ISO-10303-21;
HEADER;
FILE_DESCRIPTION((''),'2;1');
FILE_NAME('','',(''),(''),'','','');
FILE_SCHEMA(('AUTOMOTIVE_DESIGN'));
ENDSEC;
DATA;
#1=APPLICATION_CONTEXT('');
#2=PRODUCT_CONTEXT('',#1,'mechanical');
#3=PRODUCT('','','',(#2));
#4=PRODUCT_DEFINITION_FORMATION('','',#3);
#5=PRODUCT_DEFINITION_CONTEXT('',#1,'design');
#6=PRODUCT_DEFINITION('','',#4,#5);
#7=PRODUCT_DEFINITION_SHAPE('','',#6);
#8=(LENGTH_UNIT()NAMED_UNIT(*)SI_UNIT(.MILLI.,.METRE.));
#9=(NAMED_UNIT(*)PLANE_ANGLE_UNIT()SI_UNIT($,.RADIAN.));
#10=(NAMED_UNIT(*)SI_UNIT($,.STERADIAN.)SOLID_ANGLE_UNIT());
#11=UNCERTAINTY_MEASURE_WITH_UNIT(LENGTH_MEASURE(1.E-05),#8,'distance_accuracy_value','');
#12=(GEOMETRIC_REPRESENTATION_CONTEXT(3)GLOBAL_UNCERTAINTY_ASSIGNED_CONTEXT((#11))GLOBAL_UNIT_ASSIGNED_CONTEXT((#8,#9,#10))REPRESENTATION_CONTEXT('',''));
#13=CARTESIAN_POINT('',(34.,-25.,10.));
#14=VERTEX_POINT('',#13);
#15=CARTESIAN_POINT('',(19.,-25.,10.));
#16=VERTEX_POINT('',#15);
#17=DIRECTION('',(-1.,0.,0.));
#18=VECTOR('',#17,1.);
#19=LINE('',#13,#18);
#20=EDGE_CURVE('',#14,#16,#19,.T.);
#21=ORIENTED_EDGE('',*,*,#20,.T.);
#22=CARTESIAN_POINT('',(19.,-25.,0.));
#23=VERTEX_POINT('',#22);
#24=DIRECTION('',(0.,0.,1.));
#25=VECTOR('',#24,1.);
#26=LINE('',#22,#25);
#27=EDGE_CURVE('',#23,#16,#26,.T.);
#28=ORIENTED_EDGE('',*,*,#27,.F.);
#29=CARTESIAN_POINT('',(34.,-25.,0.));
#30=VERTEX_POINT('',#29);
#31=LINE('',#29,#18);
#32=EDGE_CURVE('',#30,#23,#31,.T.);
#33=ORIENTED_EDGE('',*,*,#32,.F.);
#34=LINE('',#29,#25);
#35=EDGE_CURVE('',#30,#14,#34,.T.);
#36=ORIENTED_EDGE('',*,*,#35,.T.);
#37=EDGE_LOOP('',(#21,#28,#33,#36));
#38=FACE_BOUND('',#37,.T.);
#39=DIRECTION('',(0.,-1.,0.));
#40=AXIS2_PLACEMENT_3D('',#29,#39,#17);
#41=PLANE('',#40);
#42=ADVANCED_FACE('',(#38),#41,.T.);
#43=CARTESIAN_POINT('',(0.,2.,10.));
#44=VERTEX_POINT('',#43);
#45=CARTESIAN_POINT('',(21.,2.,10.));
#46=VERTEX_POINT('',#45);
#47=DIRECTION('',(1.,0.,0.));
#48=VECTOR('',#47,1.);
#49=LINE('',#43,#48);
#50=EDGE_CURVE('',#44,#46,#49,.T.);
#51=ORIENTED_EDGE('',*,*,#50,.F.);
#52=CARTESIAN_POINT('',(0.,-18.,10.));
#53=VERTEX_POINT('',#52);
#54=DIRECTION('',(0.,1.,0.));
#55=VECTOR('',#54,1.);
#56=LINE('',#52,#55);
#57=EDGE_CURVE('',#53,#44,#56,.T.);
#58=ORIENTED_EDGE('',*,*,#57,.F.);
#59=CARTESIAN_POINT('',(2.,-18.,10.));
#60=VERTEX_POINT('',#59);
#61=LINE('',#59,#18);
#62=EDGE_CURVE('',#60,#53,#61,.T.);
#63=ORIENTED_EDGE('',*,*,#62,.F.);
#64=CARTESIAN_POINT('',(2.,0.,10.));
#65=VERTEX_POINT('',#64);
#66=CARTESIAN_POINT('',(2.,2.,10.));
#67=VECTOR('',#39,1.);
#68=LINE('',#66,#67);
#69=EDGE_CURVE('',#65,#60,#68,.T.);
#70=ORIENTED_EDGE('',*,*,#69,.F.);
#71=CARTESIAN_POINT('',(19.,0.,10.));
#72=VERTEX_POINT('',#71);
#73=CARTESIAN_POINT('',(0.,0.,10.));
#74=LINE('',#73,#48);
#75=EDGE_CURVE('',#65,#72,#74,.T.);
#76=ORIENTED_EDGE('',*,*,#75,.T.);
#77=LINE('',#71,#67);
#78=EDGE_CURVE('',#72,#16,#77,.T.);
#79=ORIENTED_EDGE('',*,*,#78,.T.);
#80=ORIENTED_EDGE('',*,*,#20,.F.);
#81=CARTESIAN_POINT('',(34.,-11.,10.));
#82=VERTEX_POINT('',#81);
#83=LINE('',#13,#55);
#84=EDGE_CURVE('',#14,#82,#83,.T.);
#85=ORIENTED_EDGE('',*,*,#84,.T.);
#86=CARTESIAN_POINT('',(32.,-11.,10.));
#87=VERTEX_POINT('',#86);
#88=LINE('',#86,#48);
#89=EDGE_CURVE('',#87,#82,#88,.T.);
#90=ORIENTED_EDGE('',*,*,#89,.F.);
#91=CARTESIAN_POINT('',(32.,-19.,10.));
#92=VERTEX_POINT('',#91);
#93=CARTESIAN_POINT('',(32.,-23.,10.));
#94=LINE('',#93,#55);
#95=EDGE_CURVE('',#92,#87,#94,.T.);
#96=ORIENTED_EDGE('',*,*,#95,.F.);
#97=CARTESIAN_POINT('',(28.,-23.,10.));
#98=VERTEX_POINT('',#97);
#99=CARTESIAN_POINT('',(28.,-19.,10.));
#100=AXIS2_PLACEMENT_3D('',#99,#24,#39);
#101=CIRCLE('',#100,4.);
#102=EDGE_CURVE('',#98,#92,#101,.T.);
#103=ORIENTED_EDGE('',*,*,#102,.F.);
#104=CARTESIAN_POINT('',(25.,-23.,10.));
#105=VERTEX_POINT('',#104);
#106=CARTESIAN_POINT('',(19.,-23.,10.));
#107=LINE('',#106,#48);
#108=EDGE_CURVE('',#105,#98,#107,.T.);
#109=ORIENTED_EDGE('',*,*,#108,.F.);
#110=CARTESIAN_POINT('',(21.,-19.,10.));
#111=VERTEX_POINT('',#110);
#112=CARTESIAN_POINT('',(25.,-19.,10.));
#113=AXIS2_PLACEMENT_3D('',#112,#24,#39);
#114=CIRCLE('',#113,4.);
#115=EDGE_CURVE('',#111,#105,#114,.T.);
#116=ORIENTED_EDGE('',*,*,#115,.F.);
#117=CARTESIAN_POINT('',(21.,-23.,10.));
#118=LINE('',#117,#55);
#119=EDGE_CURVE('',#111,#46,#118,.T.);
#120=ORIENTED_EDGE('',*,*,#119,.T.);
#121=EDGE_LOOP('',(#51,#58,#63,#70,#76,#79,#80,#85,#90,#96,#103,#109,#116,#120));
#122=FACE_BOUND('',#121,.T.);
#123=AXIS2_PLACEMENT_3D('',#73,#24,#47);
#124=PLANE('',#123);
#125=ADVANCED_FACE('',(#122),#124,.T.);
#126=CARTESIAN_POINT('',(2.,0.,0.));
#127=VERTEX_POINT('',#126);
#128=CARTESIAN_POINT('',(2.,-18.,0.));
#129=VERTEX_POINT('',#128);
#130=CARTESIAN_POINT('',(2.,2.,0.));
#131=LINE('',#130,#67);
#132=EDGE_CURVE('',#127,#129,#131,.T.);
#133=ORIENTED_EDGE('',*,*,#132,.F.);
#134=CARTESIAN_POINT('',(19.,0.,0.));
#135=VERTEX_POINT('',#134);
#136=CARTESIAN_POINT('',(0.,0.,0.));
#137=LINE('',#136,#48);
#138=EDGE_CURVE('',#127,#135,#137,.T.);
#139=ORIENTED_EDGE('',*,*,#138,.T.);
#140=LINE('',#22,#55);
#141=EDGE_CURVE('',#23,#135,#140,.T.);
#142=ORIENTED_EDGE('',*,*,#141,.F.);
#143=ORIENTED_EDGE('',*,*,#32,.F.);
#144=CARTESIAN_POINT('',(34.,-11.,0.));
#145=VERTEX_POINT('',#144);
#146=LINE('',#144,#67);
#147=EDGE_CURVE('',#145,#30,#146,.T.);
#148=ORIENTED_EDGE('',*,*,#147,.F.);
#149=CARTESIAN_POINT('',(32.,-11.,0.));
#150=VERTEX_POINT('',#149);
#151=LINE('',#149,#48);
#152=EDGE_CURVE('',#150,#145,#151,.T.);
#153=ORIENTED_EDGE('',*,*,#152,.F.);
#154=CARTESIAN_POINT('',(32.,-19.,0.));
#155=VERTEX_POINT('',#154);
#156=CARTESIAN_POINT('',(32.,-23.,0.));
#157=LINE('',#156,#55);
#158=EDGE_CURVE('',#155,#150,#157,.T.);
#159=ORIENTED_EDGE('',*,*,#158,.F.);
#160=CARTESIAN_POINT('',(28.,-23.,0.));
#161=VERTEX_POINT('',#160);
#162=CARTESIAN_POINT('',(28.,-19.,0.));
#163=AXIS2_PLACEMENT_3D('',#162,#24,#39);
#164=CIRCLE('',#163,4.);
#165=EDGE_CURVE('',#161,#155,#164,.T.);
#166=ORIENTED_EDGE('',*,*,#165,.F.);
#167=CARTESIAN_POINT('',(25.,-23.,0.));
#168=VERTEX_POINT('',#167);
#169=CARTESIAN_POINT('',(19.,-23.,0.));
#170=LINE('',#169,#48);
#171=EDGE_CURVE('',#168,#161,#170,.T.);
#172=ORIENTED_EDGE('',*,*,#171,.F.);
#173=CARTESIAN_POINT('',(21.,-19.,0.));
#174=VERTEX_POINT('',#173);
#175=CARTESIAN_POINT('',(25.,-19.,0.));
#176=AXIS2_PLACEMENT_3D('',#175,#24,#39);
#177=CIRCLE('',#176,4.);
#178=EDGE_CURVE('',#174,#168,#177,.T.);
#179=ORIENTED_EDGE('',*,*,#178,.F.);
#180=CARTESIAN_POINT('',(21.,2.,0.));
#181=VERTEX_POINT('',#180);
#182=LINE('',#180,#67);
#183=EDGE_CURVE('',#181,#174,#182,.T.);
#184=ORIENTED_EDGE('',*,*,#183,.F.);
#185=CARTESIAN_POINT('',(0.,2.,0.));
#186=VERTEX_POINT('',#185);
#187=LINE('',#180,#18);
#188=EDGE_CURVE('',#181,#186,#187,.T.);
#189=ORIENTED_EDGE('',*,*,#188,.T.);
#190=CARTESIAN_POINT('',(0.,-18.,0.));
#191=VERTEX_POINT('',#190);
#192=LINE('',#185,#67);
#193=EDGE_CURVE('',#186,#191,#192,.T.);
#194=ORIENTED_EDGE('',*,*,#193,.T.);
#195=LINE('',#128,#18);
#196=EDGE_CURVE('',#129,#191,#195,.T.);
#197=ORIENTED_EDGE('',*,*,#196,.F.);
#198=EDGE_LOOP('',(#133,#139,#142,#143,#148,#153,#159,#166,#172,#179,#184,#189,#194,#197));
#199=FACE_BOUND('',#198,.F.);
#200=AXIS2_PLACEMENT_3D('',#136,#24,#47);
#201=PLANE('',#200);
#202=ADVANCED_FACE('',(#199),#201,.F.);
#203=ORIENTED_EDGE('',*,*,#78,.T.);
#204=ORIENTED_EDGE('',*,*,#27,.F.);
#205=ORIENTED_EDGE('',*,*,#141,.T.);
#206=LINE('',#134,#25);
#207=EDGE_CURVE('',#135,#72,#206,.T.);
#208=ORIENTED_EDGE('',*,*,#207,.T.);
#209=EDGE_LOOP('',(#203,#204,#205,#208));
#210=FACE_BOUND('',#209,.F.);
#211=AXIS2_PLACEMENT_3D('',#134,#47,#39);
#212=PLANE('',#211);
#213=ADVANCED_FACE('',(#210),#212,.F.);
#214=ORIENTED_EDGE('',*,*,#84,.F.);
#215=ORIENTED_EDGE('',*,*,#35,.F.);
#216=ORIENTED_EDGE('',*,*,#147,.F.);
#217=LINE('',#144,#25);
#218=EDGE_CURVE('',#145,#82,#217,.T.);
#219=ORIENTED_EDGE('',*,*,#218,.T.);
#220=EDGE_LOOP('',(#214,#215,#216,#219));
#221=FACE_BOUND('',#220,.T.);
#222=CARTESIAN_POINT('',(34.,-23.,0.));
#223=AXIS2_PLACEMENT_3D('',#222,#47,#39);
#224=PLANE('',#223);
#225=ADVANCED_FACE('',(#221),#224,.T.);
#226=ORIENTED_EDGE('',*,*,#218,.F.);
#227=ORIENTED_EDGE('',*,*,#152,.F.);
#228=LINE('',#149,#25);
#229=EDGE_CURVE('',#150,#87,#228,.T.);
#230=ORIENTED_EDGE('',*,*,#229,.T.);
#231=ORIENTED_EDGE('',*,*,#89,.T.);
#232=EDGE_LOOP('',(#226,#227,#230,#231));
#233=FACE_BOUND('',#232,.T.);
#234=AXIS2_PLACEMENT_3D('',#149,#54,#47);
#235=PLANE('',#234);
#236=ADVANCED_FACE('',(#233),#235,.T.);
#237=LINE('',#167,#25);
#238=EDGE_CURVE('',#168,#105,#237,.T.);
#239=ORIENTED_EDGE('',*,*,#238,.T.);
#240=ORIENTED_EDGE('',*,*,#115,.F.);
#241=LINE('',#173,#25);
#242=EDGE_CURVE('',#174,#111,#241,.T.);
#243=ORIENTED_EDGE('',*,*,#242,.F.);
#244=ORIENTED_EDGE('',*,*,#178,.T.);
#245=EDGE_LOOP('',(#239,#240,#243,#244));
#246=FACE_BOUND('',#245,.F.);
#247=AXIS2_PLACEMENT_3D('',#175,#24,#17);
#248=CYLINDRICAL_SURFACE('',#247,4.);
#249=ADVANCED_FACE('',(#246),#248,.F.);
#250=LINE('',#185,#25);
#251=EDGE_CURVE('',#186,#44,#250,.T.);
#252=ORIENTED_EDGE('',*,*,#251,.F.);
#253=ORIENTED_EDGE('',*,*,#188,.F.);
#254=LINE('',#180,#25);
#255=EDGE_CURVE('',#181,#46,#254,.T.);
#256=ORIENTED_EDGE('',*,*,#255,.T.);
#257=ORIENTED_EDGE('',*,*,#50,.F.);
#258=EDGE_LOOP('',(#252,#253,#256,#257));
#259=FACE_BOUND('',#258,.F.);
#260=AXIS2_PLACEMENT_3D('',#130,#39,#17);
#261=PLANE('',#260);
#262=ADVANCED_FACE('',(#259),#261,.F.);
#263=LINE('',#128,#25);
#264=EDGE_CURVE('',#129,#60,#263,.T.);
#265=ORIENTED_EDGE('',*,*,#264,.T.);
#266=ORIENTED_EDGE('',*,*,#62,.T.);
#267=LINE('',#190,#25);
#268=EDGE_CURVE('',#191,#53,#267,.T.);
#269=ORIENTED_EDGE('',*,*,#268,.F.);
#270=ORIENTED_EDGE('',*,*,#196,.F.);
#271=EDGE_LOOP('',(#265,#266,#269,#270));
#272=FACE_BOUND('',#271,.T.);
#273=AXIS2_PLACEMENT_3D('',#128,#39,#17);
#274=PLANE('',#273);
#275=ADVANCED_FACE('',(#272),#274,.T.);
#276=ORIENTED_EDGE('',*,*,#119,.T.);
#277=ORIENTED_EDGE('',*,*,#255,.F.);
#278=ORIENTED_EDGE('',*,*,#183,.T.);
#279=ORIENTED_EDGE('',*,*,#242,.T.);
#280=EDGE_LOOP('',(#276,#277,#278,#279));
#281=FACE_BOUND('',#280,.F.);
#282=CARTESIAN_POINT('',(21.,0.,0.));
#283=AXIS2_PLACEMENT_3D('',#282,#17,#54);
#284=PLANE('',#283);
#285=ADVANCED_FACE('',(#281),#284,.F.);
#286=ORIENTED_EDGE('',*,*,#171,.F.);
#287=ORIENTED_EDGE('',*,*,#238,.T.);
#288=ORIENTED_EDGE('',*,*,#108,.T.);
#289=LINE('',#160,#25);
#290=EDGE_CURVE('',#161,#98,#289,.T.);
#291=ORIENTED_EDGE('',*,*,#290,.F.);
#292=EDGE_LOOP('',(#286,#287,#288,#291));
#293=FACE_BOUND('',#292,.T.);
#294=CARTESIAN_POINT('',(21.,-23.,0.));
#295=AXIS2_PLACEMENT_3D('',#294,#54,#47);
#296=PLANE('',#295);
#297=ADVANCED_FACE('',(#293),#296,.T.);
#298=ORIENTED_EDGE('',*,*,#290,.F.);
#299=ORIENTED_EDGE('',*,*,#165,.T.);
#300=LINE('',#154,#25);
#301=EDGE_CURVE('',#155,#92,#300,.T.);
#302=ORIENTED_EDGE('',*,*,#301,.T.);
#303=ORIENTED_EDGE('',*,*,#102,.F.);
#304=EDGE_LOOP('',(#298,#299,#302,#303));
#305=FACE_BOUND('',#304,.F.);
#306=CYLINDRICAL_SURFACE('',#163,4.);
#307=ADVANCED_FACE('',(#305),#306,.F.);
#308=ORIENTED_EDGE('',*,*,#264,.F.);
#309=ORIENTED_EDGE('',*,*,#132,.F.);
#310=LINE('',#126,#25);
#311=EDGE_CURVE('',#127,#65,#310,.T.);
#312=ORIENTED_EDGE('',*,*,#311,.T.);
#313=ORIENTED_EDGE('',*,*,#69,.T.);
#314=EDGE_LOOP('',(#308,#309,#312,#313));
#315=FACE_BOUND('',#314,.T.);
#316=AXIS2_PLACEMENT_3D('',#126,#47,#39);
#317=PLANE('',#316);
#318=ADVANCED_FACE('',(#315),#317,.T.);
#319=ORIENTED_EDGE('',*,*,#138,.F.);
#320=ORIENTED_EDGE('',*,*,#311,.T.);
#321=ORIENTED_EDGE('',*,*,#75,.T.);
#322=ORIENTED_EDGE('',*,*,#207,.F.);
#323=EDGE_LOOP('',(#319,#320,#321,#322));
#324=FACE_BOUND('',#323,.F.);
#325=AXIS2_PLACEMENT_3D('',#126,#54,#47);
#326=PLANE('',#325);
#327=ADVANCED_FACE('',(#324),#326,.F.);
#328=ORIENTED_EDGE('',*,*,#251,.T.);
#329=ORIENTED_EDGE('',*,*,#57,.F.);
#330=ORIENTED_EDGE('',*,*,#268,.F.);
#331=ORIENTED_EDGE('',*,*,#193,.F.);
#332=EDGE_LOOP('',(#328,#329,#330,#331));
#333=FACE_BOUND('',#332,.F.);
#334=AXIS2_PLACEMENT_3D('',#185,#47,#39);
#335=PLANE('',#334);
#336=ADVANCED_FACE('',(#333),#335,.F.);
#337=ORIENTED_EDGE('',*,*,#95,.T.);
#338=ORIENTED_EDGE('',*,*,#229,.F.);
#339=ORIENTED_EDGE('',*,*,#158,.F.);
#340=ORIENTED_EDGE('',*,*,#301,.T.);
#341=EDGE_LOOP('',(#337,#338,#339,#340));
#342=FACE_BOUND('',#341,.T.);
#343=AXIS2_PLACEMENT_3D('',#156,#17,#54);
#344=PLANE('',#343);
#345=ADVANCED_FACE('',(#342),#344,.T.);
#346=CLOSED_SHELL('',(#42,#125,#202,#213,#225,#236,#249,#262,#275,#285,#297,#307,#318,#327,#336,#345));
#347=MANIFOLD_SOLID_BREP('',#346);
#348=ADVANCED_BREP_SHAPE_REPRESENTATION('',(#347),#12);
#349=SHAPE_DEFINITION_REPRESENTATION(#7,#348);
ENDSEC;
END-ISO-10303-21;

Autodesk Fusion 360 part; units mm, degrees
sketch "Sketch1" plane through (0, 0, 0) normal (0, 0, 1) x (1, 0, 0)
  line L0 (0, 0) -> (21, 0)
  line L1 (21, 0) -> (21, 2)
  line L2 (21, 2) -> (0, 2)
  line L3 (0, 2) -> (0, 0)
  line L4 (0, 2) -> (2, 2)
  line L5 (2, 2) -> (2, -18)
  line L6 (2, -18) -> (0, -18)
  line L7 (0, -18) -> (0, 2)
  line L8 (21, 2) -> (19, 2)
  line L9 (19, 2) -> (19, -23)
  line L10 (19, -23) -> (21, -23)
  line L11 (21, -23) -> (21, 2)
  line L12 (19, -23) -> (34, -23)
  line L13 (34, -23) -> (34, -25)
  line L14 (34, -25) -> (19, -25)
  line L15 (19, -25) -> (19, -23)
  line L16 (34, -23) -> (32, -23)
  line L17 (32, -23) -> (32, -11)
  line L18 (32, -11) -> (34, -11)
  line L19 (34, -11) -> (34, -23)
  dimension "d1" = 21
  dimension "d2" = 2
  dimension "d3" = 2
  dimension "d4" = 20
  dimension "d5" = 2
  dimension "d6" = 25
  dimension "d7" = 15
  dimension "d8" = 2
  dimension "d9" = 2
  dimension "d10" = 12
extrude "Extrude1" add sketch "Sketch1" along normal blind 10
fillet "Fillet1" radius 4 2 edges at (21, -23, 5) (32, -23, 5)
